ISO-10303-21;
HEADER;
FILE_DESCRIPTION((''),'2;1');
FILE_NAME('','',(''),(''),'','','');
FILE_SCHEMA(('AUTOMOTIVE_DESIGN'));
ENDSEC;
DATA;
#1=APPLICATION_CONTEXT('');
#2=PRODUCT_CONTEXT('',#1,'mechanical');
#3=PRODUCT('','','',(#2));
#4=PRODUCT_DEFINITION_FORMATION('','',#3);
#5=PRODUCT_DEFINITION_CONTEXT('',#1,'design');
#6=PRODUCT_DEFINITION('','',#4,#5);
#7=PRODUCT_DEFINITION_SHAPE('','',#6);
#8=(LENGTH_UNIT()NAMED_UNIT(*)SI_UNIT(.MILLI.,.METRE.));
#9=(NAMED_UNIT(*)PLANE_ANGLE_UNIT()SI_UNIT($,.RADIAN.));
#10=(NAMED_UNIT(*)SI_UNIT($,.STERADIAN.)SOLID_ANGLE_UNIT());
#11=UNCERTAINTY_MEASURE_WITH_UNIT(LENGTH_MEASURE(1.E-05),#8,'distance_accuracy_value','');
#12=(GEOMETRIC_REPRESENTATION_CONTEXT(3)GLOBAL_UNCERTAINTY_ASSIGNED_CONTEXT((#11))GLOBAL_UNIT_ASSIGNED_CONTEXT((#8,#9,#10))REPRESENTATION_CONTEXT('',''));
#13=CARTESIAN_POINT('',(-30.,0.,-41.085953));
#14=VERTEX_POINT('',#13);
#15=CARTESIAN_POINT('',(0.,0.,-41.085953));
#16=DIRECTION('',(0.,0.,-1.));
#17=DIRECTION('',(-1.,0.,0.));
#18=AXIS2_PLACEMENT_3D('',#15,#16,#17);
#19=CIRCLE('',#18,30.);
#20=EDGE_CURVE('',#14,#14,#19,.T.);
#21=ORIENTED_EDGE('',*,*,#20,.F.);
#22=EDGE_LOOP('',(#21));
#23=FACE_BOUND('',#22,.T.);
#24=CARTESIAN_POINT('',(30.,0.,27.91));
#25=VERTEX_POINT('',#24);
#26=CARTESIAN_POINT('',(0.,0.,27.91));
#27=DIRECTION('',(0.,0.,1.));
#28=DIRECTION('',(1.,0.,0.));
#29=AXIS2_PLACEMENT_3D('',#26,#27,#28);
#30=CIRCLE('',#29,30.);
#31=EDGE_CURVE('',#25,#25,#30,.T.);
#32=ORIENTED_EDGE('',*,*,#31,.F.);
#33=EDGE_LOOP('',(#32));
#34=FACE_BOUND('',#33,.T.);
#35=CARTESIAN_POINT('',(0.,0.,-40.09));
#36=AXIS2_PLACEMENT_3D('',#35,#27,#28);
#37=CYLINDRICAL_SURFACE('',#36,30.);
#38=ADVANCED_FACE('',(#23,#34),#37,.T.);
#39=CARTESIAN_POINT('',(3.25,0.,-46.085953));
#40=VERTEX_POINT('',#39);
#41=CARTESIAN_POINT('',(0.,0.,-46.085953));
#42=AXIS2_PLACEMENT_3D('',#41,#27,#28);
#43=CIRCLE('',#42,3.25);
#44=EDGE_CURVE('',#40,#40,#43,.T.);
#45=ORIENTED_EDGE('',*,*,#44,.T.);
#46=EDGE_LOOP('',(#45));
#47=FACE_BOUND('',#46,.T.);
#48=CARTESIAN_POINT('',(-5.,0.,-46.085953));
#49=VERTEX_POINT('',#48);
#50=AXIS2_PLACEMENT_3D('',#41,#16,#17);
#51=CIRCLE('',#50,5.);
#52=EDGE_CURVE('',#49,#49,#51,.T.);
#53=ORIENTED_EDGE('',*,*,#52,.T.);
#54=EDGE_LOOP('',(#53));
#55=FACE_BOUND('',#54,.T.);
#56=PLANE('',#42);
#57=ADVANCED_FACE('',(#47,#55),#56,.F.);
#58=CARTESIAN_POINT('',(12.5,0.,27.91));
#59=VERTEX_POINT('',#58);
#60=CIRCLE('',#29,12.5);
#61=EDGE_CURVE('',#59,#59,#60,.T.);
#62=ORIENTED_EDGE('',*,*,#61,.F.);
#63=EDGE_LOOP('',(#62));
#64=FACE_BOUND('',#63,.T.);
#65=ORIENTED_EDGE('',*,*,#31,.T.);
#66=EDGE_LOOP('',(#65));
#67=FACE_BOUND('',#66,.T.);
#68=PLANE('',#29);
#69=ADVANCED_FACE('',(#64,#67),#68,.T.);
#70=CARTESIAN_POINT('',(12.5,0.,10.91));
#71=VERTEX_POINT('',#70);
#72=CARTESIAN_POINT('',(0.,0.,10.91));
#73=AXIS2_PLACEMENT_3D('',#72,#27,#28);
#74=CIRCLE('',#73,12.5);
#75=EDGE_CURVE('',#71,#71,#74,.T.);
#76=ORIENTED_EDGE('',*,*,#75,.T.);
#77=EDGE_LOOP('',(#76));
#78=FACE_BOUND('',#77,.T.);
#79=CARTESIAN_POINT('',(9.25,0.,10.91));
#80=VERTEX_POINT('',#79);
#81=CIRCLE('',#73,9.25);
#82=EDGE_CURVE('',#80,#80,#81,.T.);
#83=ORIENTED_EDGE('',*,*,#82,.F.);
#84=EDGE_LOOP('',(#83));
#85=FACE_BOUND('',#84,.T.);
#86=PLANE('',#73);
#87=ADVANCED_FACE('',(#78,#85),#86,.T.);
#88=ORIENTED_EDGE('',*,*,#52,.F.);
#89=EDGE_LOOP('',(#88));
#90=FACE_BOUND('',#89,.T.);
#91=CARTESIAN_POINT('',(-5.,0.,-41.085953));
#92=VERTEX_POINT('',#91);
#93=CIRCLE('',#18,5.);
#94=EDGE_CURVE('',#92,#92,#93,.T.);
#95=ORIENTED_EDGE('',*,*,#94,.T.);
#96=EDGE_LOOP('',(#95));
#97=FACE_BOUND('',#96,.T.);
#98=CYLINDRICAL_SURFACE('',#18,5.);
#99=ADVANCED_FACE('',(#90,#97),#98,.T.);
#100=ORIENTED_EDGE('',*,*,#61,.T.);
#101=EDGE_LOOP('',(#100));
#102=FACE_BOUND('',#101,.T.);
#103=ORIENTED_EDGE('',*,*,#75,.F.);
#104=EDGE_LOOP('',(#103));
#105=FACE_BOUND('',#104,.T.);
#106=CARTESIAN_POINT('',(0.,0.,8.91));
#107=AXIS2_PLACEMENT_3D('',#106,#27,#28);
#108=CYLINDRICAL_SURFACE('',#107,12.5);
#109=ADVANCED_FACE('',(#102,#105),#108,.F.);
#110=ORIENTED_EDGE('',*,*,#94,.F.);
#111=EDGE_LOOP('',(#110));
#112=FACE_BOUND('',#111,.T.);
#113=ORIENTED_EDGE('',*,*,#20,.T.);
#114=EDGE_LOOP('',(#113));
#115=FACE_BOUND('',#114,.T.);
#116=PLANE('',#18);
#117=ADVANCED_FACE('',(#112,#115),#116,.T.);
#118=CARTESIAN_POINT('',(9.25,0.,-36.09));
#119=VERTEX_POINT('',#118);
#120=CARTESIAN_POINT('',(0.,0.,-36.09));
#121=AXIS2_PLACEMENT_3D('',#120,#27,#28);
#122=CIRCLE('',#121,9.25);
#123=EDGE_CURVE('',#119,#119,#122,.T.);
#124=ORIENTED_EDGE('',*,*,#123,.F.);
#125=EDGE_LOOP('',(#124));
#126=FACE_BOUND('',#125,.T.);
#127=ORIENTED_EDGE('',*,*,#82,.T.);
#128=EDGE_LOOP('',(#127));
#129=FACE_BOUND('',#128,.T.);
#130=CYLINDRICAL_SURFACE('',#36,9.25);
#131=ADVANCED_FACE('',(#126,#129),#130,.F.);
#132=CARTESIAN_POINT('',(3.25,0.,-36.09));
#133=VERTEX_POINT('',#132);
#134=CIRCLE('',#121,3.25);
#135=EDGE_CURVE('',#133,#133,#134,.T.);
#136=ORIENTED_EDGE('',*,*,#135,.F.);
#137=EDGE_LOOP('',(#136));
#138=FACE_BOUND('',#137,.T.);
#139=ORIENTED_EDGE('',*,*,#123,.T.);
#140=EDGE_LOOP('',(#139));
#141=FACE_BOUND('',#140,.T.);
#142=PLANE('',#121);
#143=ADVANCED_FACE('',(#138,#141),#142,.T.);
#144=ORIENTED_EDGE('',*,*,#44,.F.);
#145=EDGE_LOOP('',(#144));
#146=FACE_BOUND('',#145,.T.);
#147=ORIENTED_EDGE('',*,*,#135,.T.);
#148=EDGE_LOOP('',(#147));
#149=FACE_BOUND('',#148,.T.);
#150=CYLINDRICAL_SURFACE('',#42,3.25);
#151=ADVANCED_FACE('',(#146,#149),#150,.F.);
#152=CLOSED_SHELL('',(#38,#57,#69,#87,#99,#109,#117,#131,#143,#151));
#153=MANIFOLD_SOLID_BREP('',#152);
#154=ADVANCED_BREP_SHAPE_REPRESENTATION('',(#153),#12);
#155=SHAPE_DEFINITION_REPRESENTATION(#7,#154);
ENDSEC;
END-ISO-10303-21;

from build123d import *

# Parameters (mm, degrees)
SKETCH2_R            = 30
BOSS_EXTRUDE2_DEPTH  = 40.09
BOSS_EXTRUDE4_START  = 27.91
SKETCH4_R            = 30
BOSS_EXTRUDE4_DEPTH  = 27.91
SKETCH6_R            = 12.5
CUT_EXTRUDE1_DEPTH   = 19
SKETCH7_R            = 9.25
CUT_EXTRUDE2_DEPTH   = 65.815121692
CUT_EXTRUDE3_START   = -1
SKETCH8_R            = 30
SKETCH8_R_2          = 9.25
CUT_EXTRUDE3_DEPTH   = 1
CUT_EXTRUDE4_START   = -1.21
SKETCH9_R            = 30
SKETCH9_R_2          = 9.25
CUT_EXTRUDE4_DEPTH   = 1.21
SKETCH10_R           = 30
BOSS_EXTRUDE5_DEPTH  = 1
BOSS_EXTRUDE6_START  = 2
SKETCH11_R           = 9.25
BOSS_EXTRUDE6_DEPTH  = 2
SKETCH12_R           = 6.5
BOSS_EXTRUDE7_DEPTH  = 7.205952714
CUT_EXTRUDE5_START   = -5
SKETCH14_R           = 6.5
SKETCH14_R_2         = 5
CUT_EXTRUDE5_DEPTH   = 5
SKETCH15_R           = 3.25
CUT_EXTRUDE6_DEPTH   = 77.610469911
SKETCH16_R           = 30
SKETCH16_R_2         = 6.5
BOSS_EXTRUDE8_DEPTH  = 0.21
SKETCH17_R           = 30
SKETCH17_R_2         = 6.5
BOSS_EXTRUDE9_DEPTH  = 1.995952714
BOSS_EXTRUDE10_START = 0.79
SKETCH18_R           = 9.25
SKETCH18_R_2         = 3.25
BOSS_EXTRUDE10_DEPTH = 0.79
SKETCH19_R           = 9.25
SKETCH19_R_2         = 3.25
CUT_EXTRUDE7_DEPTH   = 1
BOSS_EXTRUDE11_START = 2
SKETCH21_R           = 12.5
SKETCH21_R_2         = 9.25
BOSS_EXTRUDE11_DEPTH = 2


with BuildPart() as part:
    # Sketch2 → Boss-Extrude2 (new body)
    with BuildSketch(Plane.XY):
        Circle(SKETCH2_R)
    extrude(amount=-BOSS_EXTRUDE2_DEPTH)

    # Sketch4 → Boss-Extrude4 (add)
    with BuildSketch(Plane.XY.offset(BOSS_EXTRUDE4_START)):
        Circle(SKETCH4_R)
    extrude(amount=-BOSS_EXTRUDE4_DEPTH)

    # Sketch6 → Cut-Extrude1 (cut)
    with BuildSketch(Plane.XY.offset(27.91)):
        Circle(SKETCH6_R)
    extrude(amount=-CUT_EXTRUDE1_DEPTH, mode=Mode.SUBTRACT)

    # Sketch7 → Cut-Extrude2 (cut, through all)
    with BuildSketch(Plane.XY.offset(8.91)):
        Circle(SKETCH7_R)
    extrude(amount=-CUT_EXTRUDE2_DEPTH, mode=Mode.SUBTRACT)

    # Sketch8 → Cut-Extrude3 (cut)
    with BuildSketch(Plane(origin=(0, 0, -40.09), x_dir=(-1, 0, 0), z_dir=(0, 0, -1)).offset(CUT_EXTRUDE3_START)):
        with Locations(Location((0, 0, 0), (0, 0, 180))):
            Circle(SKETCH8_R)
        with Locations(Location((0, 0, 0), (0, 0, 180))):
            Circle(SKETCH8_R_2, mode=Mode.SUBTRACT)
    extrude(amount=CUT_EXTRUDE3_DEPTH, mode=Mode.SUBTRACT)

    # Sketch9 → Cut-Extrude4 (cut)
    with BuildSketch(Plane(origin=(0, 0, -39.09), x_dir=(-1, 0, 0), z_dir=(0, 0, -1)).offset(CUT_EXTRUDE4_START)):
        with Locations(Location((0, 0, 0), (0, 0, 180))):
            Circle(SKETCH9_R)
        with Locations(Location((0, 0, 0), (0, 0, 180))):
            Circle(SKETCH9_R_2, mode=Mode.SUBTRACT)
    extrude(amount=CUT_EXTRUDE4_DEPTH, mode=Mode.SUBTRACT)

    # Sketch10 → Boss-Extrude5 (add)
    with BuildSketch(Plane(origin=(0, 0, -37.88), x_dir=(-1, 0, 0), z_dir=(0, 0, -1))):
        with Locations(Location((0, 0, 0), (0, 0, 180))):
            Circle(SKETCH10_R)
    extrude(amount=BOSS_EXTRUDE5_DEPTH)

    # Sketch11 → Boss-Extrude6 (add)
    with BuildSketch(Plane.XY.offset(-37.88).offset(BOSS_EXTRUDE6_START)):
        Circle(SKETCH11_R)
    extrude(amount=-BOSS_EXTRUDE6_DEPTH)

    # Sketch12 → Boss-Extrude7 (add)
    with BuildSketch(Plane(origin=(0, 0, -38.88), x_dir=(-1, 0, 0), z_dir=(0, 0, -1))):
        with Locations(Location((0, 0, 0), (0, 0, 180))):
            Circle(SKETCH12_R)
    extrude(amount=BOSS_EXTRUDE7_DEPTH)

    # Sketch14 → Cut-Extrude5 (cut)
    with BuildSketch(Plane(origin=(0, 0, -46.085952714), x_dir=(-1, 0, 0), z_dir=(0, 0, -1)).offset(CUT_EXTRUDE5_START)):
        Circle(SKETCH14_R)
        Circle(SKETCH14_R_2, mode=Mode.SUBTRACT)
    extrude(amount=CUT_EXTRUDE5_DEPTH, mode=Mode.SUBTRACT)

    # Sketch15 → Cut-Extrude6 (cut, through all)
    with BuildSketch(Plane.XY.offset(-35.88)):
        Circle(SKETCH15_R)
    extrude(amount=-CUT_EXTRUDE6_DEPTH, mode=Mode.SUBTRACT)

    # Sketch16 → Boss-Extrude8 (add)
    with BuildSketch(Plane(origin=(0, 0, -38.88), x_dir=(-1, 0, 0), z_dir=(0, 0, -1))):
        with Locations(Location((0, 0, 0), (0, 0, 180))):
            Circle(SKETCH16_R)
        Circle(SKETCH16_R_2, mode=Mode.SUBTRACT)
    extrude(amount=BOSS_EXTRUDE8_DEPTH)

    # Sketch17 → Boss-Extrude9 (add)
    with BuildSketch(Plane(origin=(0, 0, -39.09), x_dir=(-1, 0, 0), z_dir=(0, 0, -1))):
        with Locations(Location((0, 0, 0), (0, 0, 180))):
            Circle(SKETCH17_R)
        Circle(SKETCH17_R_2, mode=Mode.SUBTRACT)
    extrude(amount=BOSS_EXTRUDE9_DEPTH)

    # Sketch18 → Boss-Extrude10 (add)
    with BuildSketch(Plane.XY.offset(-35.88).offset(BOSS_EXTRUDE10_START)):
        Circle(SKETCH18_R)
        Circle(SKETCH18_R_2, mode=Mode.SUBTRACT)
    extrude(amount=-BOSS_EXTRUDE10_DEPTH)

    # Sketch19 → Cut-Extrude7 (cut)
    with BuildSketch(Plane.XY.offset(-35.09)):
        Circle(SKETCH19_R)
        Circle(SKETCH19_R_2, mode=Mode.SUBTRACT)
    extrude(amount=-CUT_EXTRUDE7_DEPTH, mode=Mode.SUBTRACT)

    # Sketch21 → Boss-Extrude11 (add)
    with BuildSketch(Plane.XY.offset(8.91).offset(BOSS_EXTRUDE11_START)):
        Circle(SKETCH21_R)
        Circle(SKETCH21_R_2, mode=Mode.SUBTRACT)
    extrude(amount=-BOSS_EXTRUDE11_DEPTH)


solid = part.part
